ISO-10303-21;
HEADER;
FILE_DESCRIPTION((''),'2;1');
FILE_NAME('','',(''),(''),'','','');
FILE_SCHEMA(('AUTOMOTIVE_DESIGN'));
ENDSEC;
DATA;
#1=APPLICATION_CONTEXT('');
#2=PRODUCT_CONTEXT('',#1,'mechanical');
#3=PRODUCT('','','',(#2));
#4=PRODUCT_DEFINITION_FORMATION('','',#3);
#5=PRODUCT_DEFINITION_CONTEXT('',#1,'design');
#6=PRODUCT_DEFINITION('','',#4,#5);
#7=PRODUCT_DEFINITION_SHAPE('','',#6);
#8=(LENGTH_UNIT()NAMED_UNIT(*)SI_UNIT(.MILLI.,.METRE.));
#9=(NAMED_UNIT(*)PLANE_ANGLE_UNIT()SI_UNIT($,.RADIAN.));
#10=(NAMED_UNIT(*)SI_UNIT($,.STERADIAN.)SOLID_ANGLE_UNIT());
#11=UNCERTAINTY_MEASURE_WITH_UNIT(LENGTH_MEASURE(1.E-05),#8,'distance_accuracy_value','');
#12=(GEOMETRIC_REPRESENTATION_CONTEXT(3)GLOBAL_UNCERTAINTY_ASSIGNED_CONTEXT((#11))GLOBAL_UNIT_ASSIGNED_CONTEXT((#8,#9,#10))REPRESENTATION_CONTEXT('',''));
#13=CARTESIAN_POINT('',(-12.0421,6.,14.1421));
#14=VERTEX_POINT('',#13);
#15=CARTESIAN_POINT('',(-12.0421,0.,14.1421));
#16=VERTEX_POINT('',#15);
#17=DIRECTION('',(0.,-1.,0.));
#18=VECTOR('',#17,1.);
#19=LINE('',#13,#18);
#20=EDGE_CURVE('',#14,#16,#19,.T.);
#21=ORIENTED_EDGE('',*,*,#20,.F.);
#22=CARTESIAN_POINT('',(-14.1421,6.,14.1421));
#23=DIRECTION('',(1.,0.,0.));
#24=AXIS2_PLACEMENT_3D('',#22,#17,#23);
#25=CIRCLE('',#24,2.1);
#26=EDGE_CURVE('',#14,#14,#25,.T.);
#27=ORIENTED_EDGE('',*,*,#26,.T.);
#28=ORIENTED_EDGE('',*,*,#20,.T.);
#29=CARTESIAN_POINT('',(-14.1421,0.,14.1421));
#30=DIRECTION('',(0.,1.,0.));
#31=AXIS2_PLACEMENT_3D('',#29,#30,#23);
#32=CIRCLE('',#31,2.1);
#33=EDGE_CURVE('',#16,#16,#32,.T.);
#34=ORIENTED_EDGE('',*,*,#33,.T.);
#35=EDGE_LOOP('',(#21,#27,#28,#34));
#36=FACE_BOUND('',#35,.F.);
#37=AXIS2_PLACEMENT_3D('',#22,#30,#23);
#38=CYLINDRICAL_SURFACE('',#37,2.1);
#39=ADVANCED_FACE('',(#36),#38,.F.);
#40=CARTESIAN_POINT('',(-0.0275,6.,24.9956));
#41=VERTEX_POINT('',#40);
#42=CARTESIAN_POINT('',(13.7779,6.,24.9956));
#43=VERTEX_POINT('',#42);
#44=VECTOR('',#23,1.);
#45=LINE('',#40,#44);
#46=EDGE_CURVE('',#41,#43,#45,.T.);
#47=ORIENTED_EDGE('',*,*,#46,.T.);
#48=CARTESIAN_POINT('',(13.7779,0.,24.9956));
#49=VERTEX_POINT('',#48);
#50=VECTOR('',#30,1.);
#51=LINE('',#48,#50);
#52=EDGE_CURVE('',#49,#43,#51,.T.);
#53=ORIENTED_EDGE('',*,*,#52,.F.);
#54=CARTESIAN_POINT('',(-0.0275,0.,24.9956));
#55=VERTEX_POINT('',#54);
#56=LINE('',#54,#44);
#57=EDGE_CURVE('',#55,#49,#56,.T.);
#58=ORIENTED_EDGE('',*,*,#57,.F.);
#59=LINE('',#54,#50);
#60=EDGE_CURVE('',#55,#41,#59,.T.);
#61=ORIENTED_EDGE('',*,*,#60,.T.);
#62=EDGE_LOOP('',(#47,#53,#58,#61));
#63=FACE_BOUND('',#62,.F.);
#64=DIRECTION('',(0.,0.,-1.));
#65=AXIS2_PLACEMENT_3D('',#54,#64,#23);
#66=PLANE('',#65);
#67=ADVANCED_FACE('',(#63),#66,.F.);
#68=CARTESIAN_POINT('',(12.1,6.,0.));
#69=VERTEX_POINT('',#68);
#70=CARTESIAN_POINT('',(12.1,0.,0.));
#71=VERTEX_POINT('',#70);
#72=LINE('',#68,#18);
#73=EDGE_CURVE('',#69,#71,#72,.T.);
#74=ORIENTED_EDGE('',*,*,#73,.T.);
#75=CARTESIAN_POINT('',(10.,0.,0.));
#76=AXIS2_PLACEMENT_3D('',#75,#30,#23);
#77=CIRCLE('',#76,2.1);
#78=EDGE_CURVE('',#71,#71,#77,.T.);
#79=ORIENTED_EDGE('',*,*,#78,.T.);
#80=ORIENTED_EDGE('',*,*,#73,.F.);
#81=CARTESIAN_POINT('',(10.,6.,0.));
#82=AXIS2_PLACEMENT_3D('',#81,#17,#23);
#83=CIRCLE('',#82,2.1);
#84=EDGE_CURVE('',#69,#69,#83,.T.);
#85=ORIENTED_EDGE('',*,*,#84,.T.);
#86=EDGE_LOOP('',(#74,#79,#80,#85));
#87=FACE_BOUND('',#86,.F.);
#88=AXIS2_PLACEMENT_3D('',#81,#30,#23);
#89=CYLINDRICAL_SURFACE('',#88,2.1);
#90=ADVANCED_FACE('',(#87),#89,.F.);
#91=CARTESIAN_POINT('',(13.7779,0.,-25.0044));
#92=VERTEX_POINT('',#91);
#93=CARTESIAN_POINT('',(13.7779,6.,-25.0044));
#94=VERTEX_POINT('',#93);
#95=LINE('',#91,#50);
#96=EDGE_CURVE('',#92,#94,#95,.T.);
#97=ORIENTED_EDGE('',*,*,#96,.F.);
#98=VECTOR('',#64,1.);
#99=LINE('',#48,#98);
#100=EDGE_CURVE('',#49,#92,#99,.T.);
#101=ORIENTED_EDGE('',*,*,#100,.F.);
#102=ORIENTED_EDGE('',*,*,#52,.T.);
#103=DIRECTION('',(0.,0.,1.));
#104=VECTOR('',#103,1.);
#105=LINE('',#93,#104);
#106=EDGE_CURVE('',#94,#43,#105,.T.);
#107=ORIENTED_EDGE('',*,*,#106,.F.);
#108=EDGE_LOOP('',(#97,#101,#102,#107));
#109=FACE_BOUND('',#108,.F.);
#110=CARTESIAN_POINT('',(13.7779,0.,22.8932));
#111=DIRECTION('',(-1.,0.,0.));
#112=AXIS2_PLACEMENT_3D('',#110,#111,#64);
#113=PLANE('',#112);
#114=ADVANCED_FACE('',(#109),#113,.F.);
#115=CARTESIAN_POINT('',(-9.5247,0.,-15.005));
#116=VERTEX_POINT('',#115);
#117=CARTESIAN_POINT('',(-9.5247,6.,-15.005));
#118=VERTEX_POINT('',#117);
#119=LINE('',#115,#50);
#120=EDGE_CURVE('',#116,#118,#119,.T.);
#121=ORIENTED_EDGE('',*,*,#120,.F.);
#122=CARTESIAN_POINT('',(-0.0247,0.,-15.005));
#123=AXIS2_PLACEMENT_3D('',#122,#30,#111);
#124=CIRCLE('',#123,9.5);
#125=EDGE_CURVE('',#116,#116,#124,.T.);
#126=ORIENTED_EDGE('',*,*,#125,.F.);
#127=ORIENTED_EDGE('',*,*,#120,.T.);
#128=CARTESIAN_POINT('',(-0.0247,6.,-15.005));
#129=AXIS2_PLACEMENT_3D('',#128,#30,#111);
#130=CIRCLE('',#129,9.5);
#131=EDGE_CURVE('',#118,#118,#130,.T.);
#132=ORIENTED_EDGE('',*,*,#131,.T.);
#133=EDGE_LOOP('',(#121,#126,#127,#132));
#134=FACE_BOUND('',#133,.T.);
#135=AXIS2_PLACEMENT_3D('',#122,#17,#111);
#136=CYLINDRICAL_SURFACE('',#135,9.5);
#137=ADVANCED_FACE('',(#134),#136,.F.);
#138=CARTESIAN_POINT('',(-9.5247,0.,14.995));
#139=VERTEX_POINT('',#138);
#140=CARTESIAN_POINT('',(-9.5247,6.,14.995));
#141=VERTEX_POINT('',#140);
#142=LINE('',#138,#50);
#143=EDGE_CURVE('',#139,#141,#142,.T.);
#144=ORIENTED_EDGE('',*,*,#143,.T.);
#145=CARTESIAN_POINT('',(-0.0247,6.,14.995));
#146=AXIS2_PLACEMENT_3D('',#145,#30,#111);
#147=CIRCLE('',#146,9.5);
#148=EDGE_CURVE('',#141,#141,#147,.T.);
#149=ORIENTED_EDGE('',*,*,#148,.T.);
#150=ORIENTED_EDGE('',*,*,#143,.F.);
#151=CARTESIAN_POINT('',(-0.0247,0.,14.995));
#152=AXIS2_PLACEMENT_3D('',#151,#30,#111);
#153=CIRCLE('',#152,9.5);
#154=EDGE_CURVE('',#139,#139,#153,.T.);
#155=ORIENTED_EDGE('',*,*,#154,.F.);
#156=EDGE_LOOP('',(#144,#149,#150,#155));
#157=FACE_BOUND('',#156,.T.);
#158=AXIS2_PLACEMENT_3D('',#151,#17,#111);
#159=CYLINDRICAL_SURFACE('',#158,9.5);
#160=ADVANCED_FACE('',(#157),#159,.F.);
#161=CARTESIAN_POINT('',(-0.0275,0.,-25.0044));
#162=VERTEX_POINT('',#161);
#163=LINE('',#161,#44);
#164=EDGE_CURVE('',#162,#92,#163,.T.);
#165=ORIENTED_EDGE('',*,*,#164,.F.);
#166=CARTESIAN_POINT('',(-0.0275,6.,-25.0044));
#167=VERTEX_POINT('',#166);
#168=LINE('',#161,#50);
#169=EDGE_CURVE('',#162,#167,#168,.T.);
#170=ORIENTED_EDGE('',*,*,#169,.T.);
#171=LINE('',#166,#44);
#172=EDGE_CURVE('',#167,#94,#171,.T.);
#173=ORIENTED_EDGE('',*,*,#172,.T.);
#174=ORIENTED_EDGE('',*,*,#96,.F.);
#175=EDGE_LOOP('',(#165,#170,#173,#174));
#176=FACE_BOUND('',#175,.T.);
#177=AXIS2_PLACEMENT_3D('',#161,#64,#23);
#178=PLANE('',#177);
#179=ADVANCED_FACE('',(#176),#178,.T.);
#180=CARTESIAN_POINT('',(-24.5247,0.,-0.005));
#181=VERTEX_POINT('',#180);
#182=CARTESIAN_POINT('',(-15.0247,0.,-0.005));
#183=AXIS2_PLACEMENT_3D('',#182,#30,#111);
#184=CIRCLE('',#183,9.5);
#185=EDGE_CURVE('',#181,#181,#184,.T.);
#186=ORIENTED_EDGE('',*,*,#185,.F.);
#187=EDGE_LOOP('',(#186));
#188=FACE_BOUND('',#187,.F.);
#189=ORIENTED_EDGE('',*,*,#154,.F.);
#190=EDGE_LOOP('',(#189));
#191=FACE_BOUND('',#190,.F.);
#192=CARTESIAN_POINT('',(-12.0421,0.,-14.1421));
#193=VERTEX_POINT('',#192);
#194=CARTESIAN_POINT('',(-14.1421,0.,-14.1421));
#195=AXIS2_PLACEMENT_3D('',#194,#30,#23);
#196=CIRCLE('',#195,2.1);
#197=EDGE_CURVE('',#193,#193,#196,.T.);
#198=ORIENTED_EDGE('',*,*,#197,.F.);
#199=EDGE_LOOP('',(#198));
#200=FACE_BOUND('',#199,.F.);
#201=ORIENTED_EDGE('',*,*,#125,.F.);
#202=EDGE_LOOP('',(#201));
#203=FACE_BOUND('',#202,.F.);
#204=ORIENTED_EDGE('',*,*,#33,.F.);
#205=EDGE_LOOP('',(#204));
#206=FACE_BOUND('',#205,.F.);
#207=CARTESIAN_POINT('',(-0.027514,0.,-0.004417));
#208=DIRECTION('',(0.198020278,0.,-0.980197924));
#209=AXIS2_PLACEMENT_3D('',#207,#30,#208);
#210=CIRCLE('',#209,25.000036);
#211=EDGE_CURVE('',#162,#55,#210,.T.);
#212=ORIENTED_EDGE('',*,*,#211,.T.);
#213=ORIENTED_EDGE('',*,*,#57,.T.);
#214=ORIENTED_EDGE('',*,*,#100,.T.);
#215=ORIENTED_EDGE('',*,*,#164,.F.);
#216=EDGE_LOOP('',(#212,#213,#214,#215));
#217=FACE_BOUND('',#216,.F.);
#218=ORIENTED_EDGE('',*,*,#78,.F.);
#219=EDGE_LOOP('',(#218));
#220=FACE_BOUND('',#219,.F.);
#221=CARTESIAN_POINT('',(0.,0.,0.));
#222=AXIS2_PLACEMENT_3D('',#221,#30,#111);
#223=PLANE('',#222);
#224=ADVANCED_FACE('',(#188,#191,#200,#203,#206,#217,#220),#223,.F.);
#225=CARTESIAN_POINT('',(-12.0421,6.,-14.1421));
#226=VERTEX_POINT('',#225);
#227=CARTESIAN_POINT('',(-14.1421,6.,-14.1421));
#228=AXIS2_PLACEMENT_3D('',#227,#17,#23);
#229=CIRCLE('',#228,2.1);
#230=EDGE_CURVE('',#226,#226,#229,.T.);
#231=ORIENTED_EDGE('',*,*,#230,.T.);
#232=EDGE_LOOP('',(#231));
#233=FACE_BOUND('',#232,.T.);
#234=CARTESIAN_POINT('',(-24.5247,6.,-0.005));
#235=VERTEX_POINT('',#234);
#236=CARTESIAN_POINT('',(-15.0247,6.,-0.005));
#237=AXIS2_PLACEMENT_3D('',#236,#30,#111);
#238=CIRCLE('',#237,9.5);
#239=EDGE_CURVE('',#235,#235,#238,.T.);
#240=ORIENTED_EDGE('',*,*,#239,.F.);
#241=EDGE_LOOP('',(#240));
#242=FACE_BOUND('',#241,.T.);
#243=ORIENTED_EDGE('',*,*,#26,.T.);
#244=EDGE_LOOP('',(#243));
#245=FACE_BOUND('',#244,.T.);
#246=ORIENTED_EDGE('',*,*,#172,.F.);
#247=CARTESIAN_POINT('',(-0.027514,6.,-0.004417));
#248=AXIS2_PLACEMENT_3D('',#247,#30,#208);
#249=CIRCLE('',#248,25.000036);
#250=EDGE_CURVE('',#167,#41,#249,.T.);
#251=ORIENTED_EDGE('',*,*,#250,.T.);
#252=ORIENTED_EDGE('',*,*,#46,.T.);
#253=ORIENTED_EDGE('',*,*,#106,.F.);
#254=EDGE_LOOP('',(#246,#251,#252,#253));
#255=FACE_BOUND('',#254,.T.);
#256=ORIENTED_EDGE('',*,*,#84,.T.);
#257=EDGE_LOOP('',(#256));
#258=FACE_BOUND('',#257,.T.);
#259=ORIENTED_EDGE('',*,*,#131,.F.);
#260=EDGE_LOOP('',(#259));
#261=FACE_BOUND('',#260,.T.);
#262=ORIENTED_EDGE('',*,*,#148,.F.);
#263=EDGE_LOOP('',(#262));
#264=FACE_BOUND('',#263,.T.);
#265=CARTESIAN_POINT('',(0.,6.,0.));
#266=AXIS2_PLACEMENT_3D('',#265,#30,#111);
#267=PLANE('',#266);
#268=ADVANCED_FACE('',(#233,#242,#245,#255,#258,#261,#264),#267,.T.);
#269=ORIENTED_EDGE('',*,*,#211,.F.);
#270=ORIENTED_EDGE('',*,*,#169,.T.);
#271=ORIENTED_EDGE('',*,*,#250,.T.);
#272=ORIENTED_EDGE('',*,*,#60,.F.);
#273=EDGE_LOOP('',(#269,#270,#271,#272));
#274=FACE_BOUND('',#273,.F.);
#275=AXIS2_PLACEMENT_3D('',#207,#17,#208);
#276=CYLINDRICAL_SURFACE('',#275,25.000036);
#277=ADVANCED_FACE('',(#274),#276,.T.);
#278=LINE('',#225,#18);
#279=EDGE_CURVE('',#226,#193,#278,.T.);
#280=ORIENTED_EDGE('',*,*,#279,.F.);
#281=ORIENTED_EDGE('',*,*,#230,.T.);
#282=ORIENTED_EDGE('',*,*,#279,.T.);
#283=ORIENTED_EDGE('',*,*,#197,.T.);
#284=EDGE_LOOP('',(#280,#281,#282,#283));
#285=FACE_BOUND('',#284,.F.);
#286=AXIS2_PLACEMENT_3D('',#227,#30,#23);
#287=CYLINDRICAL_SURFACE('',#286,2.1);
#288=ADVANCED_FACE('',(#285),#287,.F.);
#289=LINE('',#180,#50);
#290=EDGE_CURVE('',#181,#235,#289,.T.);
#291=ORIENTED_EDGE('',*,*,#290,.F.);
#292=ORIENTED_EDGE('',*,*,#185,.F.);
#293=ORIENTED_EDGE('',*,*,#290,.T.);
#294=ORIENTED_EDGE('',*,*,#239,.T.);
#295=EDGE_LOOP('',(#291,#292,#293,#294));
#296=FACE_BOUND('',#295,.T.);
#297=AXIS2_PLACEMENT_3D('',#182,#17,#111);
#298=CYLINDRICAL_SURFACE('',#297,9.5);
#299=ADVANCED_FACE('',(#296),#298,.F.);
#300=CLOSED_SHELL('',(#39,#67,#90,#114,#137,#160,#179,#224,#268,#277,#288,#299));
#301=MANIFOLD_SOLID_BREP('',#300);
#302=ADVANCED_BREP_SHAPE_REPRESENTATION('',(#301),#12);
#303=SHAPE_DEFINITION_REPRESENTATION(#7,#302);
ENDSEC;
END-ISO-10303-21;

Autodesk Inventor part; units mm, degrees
ref_plane "YZ Plane" through (0, 0, 0) normal (1, 0, 0) x (0, 1, 0)
ref_plane "XZ Plane" through (0, 0, 0) normal (0, 1, 0) x (-1, 0, 0)
ref_plane "XY Plane" through (0, 0, 0) normal (0, 0, 1) x (1, 0, 0)
sketch "Эскиз1" plane through (0, 0, 0) normal (0, 1, 0) x (-1, 0, 0)
  circle A0 centre (15.0247, -0.005) radius 9.5
  circle A1 centre (0.0247, 14.995) radius 9.5
  circle A2 centre (0.0247, -15.005) radius 9.5
  arc A3 (-4.923, -24.5094) -> (-4.9258, 24.5) centre (0.0275, -0.0044) ccw
  arc A4 (-13.7779, 22.8932) -> (-4.9258, 24.5) centre (-49.9753, 247.495) ccw
  line L0 (-13.7779, 22.8932) -> (-13.7779, -22.9031)
  arc A5 (-4.923, -24.5094) -> (-4.9258, 24.5) centre (0.0275, -0.0044) ccw
  circle A6 centre (15.0247, -0.005) radius 9.5
  circle A7 centre (0.0247, 14.995) radius 9.5
  circle A8 centre (0.0247, -15.005) radius 9.5
  arc A9 (-4.923, -24.5094) -> (-4.9258, 24.5) centre (0.0275, -0.0044) ccw
  arc A10 (-13.7779, 22.8932) -> (-4.9258, 24.5) centre (-49.9753, 247.495) ccw
  arc A11 (-4.923, -24.5094) -> (-13.7779, -22.9031) centre (-49.9479, -247.5094) ccw
  line L1 (-13.7779, 22.8932) -> (-13.7779, -22.9031)
  arc A12 (-4.923, -24.5094) -> (-4.9258, 24.5) centre (0.0275, -0.0044) ccw
  line L2 (0.0275, -25.0044) -> (-13.7779, -25.0044)
  line L3 (-13.7779, -25.0044) -> (-13.7779, -22.9031)
  line L4 (0.0275, 24.9956) -> (-13.7779, 24.9956)
  line L5 (-13.7779, 24.9956) -> (-13.7779, 22.8932)
  point P0 (0, 0)
extrude "Выдавливание1" add sketch "Эскиз1" along normal blind 6
sketch "Эскиз2" plane through (0, 6, 0) normal (0, 1, 0) x (1, 0, 0)
  line L0 (0, 0) -> (10, 0)
  circle A0 centre (10, 0) radius 2.1
  line L1 (0, 0) -> (-14.1421, -14.1421)
  line L2 (0, 0) -> (20, 0) construction
  line L3 (0, 0) -> (-14.1421, 14.1421)
  circle A1 centre (-14.1421, -14.1421) radius 2.1
  circle A2 centre (-14.1421, 14.1421) radius 2.1
  dimension "d2" = 10
  dimension "d3" = 4.2
  dimension "d4" = 20
  dimension "d5" = 135
  dimension "d6" = 20
  dimension "d7" = 90
  dimension "d8" = 4.2
  dimension "d9" = 4.2
extrude "Выдавливание2" cut sketch "Эскиз2" against normal blind 15.25
equation "\"d3\" = d9"
equation "\"d8\" = d9"
properties part number "000.403 -  Прижим подшипников"
